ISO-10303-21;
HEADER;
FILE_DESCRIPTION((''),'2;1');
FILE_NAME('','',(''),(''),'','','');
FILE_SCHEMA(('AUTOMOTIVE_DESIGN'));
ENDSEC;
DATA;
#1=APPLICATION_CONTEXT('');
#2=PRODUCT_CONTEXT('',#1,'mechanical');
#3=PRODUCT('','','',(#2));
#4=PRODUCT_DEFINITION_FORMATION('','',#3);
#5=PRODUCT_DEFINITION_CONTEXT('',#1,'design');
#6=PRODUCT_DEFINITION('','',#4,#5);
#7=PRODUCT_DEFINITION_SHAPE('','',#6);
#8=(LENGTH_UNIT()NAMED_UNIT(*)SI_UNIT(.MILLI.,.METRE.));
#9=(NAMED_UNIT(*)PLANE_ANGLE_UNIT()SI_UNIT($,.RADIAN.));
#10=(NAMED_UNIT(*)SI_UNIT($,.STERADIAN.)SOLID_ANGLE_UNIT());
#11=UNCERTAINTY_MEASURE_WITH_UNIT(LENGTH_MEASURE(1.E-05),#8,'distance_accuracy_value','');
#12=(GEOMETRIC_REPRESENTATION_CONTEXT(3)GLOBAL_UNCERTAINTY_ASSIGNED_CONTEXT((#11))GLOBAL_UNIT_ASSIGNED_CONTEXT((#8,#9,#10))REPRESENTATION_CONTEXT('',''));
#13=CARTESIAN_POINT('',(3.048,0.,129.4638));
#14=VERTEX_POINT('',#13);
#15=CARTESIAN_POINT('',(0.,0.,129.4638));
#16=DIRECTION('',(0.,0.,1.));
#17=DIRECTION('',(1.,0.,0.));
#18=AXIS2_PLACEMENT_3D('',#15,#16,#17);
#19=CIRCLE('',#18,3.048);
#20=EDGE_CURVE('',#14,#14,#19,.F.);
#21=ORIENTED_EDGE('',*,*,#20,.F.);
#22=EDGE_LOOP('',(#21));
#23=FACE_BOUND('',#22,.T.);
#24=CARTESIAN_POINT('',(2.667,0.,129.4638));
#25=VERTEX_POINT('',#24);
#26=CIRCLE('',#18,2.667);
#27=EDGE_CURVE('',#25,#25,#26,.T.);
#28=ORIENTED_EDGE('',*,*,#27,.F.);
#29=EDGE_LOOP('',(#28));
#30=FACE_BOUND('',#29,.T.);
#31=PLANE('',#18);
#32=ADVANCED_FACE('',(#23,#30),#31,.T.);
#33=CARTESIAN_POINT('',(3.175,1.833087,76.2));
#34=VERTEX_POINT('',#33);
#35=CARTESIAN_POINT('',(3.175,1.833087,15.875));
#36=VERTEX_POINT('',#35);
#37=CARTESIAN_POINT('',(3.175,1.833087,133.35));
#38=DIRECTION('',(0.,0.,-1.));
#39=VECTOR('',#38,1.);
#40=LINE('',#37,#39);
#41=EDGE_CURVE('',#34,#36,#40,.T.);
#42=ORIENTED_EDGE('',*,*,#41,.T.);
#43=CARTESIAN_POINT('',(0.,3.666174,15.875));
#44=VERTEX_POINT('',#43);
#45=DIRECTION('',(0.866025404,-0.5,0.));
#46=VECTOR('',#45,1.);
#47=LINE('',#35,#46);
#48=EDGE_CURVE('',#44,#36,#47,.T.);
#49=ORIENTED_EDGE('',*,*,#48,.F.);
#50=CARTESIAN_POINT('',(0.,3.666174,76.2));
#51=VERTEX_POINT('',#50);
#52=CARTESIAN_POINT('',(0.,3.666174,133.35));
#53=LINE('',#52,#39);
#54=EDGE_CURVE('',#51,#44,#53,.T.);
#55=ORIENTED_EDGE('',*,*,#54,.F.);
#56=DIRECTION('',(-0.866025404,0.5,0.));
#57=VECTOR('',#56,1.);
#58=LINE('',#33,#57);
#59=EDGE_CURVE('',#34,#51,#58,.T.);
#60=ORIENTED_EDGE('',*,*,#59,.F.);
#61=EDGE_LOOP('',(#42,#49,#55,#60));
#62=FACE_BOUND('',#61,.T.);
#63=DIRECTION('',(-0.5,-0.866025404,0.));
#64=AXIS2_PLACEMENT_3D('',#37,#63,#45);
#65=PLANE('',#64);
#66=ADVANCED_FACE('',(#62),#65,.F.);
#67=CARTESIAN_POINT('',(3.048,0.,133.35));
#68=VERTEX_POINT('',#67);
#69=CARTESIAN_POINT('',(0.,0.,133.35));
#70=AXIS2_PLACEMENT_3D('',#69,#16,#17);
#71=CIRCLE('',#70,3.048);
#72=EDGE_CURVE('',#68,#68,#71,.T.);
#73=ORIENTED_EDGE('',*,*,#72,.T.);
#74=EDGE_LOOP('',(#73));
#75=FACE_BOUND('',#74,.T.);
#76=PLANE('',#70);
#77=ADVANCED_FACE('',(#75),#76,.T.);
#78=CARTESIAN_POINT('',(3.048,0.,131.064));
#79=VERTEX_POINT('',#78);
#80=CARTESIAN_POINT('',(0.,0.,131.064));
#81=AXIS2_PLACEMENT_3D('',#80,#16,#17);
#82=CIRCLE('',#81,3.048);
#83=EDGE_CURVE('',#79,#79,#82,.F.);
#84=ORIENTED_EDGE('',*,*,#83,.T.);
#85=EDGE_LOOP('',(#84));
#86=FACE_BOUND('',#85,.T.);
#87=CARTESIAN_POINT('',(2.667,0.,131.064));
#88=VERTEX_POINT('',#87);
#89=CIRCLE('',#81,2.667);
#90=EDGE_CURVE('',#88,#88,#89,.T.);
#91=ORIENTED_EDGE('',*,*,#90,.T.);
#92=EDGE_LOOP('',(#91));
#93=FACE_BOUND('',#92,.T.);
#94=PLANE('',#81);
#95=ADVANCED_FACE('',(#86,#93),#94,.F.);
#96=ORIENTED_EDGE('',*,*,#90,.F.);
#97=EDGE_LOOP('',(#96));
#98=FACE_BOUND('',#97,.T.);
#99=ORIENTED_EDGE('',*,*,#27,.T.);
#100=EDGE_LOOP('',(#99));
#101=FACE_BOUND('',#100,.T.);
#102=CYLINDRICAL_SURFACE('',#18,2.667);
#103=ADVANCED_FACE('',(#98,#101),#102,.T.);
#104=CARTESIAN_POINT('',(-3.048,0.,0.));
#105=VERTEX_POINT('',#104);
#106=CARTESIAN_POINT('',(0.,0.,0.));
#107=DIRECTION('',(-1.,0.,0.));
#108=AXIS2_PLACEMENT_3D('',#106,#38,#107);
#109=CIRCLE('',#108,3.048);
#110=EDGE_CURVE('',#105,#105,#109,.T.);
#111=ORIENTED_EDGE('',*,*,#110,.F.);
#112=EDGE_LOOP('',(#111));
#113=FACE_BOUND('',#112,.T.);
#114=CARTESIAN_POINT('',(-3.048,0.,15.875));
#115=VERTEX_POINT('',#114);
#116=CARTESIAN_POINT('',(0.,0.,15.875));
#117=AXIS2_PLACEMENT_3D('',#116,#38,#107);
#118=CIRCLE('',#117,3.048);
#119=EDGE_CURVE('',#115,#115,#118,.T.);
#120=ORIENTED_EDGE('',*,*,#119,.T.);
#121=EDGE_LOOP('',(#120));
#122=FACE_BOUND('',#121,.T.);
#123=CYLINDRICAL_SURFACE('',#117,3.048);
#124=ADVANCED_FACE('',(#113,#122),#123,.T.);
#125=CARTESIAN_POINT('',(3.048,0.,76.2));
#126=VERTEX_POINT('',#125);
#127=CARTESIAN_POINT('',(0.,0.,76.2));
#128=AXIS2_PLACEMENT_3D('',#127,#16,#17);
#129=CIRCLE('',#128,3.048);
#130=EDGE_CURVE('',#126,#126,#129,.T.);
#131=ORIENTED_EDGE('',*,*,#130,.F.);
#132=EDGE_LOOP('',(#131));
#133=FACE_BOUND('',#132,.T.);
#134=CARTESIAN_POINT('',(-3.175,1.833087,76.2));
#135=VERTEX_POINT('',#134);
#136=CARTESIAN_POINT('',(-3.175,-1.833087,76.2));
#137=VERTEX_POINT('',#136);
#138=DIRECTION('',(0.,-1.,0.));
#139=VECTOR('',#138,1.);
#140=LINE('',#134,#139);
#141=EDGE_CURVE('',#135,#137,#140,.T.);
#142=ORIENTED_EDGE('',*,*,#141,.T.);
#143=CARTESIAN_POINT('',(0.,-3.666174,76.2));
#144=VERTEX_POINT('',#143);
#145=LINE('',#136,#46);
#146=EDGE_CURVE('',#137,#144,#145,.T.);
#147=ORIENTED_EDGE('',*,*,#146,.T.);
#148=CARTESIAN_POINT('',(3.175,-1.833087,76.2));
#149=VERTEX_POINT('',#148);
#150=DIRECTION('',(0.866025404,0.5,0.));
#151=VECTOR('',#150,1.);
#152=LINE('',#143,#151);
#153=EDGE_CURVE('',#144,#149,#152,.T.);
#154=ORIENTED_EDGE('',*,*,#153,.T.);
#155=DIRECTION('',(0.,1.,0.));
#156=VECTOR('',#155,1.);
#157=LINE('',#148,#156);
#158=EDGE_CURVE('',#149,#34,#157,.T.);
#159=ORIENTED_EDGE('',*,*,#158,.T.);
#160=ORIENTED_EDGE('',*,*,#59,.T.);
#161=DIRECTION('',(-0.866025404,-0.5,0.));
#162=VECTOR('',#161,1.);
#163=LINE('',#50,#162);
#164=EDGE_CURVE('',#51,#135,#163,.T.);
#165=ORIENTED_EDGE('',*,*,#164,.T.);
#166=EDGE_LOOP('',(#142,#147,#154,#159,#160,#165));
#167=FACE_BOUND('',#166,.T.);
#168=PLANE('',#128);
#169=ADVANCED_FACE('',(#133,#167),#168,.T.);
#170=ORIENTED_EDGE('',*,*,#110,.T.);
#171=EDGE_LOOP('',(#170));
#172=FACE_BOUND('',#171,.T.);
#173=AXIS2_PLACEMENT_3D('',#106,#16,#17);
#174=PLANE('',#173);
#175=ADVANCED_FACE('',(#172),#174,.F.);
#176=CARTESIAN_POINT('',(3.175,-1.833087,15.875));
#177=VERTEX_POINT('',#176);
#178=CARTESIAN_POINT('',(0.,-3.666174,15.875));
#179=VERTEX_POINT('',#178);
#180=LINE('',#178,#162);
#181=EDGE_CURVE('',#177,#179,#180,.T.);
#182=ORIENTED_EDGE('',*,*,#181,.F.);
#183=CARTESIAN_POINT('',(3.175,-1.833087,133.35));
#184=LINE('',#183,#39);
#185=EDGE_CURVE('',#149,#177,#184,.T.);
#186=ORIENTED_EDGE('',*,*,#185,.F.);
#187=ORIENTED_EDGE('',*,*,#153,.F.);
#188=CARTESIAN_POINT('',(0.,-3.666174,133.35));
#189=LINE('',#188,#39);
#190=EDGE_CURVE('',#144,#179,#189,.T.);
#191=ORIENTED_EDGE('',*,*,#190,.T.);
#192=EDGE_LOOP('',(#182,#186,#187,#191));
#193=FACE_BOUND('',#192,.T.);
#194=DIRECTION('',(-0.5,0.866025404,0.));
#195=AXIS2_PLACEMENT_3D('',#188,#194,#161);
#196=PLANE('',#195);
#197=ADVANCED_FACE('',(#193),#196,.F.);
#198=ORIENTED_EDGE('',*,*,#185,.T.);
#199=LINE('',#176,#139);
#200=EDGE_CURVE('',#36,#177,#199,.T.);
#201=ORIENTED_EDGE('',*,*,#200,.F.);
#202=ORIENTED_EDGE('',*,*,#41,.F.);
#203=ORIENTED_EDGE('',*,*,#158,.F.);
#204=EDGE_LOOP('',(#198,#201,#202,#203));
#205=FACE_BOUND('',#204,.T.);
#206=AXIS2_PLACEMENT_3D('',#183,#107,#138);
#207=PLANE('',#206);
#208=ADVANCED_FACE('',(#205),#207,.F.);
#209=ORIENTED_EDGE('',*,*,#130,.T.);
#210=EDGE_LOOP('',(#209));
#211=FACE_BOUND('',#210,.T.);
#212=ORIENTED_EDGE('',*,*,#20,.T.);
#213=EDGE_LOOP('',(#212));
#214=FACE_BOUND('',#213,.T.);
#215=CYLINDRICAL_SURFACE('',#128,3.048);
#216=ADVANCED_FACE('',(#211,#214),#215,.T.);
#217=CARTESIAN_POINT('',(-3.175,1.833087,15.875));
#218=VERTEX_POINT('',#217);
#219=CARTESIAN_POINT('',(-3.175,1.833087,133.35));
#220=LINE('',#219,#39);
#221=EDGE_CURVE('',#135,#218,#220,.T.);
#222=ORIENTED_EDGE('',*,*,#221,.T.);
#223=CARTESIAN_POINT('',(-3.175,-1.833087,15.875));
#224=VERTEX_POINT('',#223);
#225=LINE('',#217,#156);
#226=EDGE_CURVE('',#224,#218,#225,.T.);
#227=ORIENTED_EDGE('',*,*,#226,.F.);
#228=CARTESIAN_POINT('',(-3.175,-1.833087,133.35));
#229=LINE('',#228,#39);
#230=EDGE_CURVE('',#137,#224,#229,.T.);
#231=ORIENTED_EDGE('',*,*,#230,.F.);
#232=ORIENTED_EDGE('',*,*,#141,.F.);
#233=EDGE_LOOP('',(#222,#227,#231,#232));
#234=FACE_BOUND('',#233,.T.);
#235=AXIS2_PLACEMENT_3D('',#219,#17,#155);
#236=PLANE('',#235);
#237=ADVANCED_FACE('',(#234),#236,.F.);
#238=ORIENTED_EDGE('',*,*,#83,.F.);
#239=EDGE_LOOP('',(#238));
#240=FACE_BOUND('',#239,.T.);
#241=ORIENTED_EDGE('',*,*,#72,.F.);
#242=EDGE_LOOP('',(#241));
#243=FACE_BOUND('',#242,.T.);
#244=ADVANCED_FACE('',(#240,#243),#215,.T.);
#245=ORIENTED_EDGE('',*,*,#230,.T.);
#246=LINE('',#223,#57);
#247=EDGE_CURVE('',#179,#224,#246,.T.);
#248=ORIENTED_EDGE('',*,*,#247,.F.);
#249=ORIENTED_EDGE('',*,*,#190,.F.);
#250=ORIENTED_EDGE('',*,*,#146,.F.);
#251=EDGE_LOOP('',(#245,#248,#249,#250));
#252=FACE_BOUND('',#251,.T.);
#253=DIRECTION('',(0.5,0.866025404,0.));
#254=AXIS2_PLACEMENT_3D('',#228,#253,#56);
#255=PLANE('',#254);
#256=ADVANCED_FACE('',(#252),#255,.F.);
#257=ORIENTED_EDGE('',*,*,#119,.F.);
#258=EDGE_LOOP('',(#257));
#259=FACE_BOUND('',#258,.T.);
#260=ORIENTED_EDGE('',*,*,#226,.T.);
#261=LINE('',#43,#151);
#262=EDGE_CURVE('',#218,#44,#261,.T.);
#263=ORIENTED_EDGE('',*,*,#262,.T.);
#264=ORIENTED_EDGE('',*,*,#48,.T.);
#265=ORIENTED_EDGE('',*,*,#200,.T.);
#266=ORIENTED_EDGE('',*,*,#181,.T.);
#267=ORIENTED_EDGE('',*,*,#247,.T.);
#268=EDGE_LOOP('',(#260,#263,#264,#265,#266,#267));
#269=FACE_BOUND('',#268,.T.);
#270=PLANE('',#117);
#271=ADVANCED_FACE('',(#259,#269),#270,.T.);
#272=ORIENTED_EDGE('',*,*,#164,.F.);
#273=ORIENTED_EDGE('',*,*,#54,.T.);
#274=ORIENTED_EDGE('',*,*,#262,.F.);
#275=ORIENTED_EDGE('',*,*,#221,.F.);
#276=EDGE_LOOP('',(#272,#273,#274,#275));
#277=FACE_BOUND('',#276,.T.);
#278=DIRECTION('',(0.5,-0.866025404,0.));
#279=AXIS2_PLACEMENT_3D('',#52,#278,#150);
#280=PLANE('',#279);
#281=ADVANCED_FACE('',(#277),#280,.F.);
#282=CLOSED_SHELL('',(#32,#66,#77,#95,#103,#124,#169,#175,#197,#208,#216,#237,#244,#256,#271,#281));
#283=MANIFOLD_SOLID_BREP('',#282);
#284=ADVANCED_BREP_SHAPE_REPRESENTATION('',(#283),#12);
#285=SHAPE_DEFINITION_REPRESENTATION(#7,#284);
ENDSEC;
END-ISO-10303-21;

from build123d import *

# Parameters (mm, degrees)
BOSS_EXTRUDE1_DEPTH = 133.35
SKETCH3_OUTSIDE_W   = 35.09
SKETCH3_OUTSIDE_H   = 36.072
SKETCH3_OUTSIDE_R   = 3.048
CUT_EXTRUDE1_DEPTH  = 57.15
SKETCH4_OUTSIDE_W   = 35.09
SKETCH4_OUTSIDE_H   = 36.072
SKETCH4_OUTSIDE_R   = 3.048
CUT_EXTRUDE2_DEPTH  = 15.875
SKETCH5_OUTSIDE_W   = 35.09
SKETCH5_OUTSIDE_H   = 36.072
SKETCH5_OUTSIDE_R   = 2.667
CUT_EXTRUDE3_DEPTH  = 1.6002


with BuildPart() as part:
    # Sketch2 → Boss-Extrude1 (new body)
    with BuildSketch(Plane.XY):
        Polygon((0, 3.666174209), (-3.175, 1.833087105), (-3.175, -1.833087105), (0, -3.666174209), (3.175, -1.833087105), (3.175, 1.833087105), align=None)
    extrude(amount=BOSS_EXTRUDE1_DEPTH)

    # Sketch3 outside → Cut-Extrude1 (cut)
    with BuildSketch(Plane.XY.offset(133.35)):
        Rectangle(SKETCH3_OUTSIDE_W, SKETCH3_OUTSIDE_H)
        Circle(SKETCH3_OUTSIDE_R, mode=Mode.SUBTRACT)
    extrude(amount=-CUT_EXTRUDE1_DEPTH, mode=Mode.SUBTRACT)

    # Sketch4 outside → Cut-Extrude2 (cut)
    with BuildSketch(Plane(origin=(0, 0, 0), x_dir=(-1, 0, 0), z_dir=(0, 0, -1))):
        Rectangle(SKETCH4_OUTSIDE_W, SKETCH4_OUTSIDE_H)
        Circle(SKETCH4_OUTSIDE_R, mode=Mode.SUBTRACT)
    extrude(amount=-CUT_EXTRUDE2_DEPTH, mode=Mode.SUBTRACT)

    # Sketch5 outside → Cut-Extrude3 (cut)
    with BuildSketch(Plane.XY.offset(131.064)):
        Rectangle(SKETCH5_OUTSIDE_W, SKETCH5_OUTSIDE_H)
        Circle(SKETCH5_OUTSIDE_R, mode=Mode.SUBTRACT)
    extrude(amount=-CUT_EXTRUDE3_DEPTH, mode=Mode.SUBTRACT)


solid = part.part
